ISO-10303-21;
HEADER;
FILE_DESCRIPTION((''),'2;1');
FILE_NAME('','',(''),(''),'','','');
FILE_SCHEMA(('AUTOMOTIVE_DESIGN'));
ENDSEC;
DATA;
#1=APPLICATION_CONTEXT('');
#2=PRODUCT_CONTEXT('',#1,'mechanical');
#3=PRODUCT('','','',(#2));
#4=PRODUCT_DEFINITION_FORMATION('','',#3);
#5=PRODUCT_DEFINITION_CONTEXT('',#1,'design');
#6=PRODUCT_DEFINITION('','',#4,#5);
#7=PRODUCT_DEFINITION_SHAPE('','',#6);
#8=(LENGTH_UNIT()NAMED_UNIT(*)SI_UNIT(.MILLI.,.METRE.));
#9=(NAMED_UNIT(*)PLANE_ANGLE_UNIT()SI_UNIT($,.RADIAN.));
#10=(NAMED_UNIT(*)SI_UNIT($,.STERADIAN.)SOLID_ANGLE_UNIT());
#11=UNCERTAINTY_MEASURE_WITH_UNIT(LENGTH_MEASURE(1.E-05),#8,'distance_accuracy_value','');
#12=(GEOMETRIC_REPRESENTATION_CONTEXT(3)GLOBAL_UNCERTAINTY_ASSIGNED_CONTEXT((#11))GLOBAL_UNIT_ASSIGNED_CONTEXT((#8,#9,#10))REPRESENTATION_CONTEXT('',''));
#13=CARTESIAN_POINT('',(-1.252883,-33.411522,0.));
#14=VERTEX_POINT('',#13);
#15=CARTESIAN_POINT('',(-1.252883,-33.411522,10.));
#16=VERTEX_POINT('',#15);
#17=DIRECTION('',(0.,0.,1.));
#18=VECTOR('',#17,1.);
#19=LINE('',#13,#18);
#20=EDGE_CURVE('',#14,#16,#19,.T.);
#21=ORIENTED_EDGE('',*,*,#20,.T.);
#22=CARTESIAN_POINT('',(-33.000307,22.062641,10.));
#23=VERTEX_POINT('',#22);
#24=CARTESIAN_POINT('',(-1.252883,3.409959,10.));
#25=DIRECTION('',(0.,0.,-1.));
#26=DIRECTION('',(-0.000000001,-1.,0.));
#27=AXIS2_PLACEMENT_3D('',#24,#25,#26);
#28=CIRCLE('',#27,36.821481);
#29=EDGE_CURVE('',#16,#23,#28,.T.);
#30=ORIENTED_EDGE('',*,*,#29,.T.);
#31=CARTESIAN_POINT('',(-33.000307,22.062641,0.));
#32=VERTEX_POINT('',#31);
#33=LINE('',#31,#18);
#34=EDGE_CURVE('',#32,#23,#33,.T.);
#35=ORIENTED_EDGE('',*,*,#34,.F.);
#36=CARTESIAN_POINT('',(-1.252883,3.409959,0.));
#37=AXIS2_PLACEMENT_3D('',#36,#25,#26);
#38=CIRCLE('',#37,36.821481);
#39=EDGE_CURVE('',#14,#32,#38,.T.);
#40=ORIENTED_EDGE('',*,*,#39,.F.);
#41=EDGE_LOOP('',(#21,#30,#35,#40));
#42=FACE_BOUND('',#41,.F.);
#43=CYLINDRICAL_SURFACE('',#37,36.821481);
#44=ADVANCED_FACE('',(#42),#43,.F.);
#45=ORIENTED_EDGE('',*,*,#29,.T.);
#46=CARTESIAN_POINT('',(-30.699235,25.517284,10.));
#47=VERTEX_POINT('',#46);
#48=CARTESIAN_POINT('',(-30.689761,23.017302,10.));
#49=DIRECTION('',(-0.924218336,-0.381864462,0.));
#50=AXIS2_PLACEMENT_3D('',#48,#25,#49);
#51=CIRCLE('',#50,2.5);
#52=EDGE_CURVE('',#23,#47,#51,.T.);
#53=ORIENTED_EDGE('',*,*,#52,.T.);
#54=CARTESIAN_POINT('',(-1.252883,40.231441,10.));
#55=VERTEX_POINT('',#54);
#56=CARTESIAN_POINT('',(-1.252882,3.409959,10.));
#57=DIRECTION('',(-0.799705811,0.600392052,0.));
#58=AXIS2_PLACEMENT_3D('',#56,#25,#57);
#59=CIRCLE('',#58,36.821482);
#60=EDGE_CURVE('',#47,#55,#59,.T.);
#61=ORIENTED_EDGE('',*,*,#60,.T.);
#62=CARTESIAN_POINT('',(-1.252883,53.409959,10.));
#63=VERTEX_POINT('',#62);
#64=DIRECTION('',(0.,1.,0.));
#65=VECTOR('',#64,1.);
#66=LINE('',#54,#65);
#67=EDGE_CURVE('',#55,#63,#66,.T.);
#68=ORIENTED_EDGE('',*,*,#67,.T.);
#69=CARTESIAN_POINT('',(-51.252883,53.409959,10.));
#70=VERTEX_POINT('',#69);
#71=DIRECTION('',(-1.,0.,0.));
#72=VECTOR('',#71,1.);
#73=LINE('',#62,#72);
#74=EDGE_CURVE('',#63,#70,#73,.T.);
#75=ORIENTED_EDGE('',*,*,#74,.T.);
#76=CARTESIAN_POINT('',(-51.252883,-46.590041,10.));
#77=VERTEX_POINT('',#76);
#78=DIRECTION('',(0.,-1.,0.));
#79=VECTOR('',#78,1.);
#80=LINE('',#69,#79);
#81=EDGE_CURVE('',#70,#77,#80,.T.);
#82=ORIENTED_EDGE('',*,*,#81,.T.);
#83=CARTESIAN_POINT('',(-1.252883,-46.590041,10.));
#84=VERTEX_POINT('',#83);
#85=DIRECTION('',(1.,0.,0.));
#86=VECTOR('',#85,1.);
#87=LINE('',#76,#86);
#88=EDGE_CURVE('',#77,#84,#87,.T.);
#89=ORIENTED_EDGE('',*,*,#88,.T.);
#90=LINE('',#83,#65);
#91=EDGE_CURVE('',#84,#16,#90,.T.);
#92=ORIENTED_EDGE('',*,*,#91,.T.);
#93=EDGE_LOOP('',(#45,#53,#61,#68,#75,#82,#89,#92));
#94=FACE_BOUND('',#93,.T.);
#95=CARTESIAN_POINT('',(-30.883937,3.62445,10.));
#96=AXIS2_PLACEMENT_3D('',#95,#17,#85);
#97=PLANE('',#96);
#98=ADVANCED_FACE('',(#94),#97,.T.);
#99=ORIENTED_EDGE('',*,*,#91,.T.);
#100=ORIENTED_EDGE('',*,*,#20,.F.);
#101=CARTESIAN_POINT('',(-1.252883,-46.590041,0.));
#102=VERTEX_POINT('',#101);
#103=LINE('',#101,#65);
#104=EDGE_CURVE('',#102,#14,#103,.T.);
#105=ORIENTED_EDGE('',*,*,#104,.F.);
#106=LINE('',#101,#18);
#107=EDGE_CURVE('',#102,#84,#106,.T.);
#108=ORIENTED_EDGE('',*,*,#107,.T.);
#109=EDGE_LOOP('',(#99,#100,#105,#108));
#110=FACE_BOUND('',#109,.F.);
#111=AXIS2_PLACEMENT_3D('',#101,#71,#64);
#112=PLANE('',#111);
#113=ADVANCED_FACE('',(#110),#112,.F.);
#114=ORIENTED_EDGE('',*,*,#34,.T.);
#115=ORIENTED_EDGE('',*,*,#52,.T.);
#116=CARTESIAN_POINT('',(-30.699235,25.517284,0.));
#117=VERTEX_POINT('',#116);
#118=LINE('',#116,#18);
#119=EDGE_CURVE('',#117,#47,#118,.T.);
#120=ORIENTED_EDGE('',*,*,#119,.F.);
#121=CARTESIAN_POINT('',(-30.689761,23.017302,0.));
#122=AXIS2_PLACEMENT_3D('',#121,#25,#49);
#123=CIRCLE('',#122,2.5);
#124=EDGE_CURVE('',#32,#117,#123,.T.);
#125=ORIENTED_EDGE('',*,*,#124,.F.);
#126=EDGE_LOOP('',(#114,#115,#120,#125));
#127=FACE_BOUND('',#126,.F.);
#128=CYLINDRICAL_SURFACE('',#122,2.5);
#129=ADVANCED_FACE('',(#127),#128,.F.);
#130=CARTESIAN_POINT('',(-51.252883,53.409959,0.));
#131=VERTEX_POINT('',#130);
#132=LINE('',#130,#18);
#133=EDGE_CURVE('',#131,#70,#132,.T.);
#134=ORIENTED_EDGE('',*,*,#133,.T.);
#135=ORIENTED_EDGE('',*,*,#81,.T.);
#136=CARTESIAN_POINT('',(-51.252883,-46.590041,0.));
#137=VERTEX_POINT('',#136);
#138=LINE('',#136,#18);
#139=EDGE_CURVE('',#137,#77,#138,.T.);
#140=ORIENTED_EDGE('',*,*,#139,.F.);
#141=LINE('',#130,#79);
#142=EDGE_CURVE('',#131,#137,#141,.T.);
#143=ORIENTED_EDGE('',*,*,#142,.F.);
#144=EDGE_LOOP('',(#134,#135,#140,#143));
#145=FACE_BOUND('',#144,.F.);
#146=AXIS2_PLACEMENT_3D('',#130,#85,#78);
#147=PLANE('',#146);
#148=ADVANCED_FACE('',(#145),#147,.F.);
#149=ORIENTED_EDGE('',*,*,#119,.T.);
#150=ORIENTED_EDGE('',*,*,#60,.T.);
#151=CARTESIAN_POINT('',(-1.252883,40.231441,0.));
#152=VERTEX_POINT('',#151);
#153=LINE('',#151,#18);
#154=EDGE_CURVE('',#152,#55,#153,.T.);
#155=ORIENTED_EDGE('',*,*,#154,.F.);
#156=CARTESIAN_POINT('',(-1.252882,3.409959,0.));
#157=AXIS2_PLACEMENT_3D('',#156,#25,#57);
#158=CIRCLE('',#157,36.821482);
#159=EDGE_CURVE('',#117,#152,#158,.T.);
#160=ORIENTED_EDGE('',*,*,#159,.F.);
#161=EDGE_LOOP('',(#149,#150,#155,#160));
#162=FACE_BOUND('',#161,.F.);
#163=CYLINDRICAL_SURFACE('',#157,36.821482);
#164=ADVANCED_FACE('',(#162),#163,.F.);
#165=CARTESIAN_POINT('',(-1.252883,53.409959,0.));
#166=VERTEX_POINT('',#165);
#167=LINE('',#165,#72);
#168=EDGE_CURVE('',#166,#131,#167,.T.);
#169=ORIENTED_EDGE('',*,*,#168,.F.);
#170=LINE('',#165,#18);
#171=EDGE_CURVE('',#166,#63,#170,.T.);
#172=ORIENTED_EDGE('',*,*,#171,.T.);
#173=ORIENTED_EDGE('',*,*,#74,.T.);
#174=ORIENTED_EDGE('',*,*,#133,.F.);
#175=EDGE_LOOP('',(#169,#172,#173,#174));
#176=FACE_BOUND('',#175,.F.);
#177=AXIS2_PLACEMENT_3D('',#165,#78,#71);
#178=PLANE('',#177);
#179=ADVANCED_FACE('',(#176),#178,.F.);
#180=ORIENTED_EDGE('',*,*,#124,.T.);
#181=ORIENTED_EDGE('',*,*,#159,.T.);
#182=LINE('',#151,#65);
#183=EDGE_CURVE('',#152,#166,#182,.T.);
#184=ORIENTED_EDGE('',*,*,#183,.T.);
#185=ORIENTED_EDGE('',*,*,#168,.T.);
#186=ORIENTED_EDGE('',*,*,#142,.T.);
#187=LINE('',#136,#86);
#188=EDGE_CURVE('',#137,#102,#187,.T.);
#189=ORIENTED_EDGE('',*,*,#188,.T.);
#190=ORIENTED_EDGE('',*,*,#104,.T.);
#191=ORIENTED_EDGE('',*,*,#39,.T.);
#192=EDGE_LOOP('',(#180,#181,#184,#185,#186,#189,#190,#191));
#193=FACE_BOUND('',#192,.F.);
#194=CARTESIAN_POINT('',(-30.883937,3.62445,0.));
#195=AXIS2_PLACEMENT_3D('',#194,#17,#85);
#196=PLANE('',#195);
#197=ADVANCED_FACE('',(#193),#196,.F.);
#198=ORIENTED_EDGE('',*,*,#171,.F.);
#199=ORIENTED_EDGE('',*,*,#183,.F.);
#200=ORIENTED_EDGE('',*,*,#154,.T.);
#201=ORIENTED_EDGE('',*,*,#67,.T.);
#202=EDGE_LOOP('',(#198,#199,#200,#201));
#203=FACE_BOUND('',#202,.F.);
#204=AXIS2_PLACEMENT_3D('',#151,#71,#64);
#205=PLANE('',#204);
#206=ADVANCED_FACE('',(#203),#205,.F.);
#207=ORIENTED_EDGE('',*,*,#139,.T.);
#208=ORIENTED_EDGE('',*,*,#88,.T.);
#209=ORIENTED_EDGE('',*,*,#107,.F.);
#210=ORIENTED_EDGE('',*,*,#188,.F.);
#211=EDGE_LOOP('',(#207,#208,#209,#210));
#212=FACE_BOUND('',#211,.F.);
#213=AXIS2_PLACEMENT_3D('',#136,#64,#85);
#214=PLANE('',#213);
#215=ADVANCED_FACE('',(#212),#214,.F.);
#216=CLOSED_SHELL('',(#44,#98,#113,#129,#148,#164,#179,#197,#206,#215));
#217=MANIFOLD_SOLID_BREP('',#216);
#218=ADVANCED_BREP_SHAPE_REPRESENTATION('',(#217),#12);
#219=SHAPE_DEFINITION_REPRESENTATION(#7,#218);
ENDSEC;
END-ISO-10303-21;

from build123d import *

# Parameters (mm, degrees)
F1_DEPTH = 10


with BuildPart() as f1:
    # F0 (on Top) → F1 (new body)
    with BuildSketch(Plane.XY):
        with BuildLine():
            Line((-51.252883, 53.409959), (-51.252883, -46.590041))
            Line((-51.252883, -46.590041), (-1.252883, -46.590041))
            Line((-1.252883, -46.590041), (-1.252883, -33.411522))
            ThreePointArc((-1.252883, -33.411522), (-33.210987, -14.879411), (-33.000307, 22.062641))
            ThreePointArc((-33.000307, 22.062641), (-32.770449, 24.403209), (-30.699235, 25.517284))
            ThreePointArc((-30.699235, 25.517284), (-17.711878, 36.348128), (-1.252883, 40.231441))
            Line((-1.252883, 40.231441), (-1.252883, 53.409959))
            Line((-1.252883, 53.409959), (-51.252883, 53.409959))
        make_face()
    extrude(amount=F1_DEPTH)


solid = f1.part
